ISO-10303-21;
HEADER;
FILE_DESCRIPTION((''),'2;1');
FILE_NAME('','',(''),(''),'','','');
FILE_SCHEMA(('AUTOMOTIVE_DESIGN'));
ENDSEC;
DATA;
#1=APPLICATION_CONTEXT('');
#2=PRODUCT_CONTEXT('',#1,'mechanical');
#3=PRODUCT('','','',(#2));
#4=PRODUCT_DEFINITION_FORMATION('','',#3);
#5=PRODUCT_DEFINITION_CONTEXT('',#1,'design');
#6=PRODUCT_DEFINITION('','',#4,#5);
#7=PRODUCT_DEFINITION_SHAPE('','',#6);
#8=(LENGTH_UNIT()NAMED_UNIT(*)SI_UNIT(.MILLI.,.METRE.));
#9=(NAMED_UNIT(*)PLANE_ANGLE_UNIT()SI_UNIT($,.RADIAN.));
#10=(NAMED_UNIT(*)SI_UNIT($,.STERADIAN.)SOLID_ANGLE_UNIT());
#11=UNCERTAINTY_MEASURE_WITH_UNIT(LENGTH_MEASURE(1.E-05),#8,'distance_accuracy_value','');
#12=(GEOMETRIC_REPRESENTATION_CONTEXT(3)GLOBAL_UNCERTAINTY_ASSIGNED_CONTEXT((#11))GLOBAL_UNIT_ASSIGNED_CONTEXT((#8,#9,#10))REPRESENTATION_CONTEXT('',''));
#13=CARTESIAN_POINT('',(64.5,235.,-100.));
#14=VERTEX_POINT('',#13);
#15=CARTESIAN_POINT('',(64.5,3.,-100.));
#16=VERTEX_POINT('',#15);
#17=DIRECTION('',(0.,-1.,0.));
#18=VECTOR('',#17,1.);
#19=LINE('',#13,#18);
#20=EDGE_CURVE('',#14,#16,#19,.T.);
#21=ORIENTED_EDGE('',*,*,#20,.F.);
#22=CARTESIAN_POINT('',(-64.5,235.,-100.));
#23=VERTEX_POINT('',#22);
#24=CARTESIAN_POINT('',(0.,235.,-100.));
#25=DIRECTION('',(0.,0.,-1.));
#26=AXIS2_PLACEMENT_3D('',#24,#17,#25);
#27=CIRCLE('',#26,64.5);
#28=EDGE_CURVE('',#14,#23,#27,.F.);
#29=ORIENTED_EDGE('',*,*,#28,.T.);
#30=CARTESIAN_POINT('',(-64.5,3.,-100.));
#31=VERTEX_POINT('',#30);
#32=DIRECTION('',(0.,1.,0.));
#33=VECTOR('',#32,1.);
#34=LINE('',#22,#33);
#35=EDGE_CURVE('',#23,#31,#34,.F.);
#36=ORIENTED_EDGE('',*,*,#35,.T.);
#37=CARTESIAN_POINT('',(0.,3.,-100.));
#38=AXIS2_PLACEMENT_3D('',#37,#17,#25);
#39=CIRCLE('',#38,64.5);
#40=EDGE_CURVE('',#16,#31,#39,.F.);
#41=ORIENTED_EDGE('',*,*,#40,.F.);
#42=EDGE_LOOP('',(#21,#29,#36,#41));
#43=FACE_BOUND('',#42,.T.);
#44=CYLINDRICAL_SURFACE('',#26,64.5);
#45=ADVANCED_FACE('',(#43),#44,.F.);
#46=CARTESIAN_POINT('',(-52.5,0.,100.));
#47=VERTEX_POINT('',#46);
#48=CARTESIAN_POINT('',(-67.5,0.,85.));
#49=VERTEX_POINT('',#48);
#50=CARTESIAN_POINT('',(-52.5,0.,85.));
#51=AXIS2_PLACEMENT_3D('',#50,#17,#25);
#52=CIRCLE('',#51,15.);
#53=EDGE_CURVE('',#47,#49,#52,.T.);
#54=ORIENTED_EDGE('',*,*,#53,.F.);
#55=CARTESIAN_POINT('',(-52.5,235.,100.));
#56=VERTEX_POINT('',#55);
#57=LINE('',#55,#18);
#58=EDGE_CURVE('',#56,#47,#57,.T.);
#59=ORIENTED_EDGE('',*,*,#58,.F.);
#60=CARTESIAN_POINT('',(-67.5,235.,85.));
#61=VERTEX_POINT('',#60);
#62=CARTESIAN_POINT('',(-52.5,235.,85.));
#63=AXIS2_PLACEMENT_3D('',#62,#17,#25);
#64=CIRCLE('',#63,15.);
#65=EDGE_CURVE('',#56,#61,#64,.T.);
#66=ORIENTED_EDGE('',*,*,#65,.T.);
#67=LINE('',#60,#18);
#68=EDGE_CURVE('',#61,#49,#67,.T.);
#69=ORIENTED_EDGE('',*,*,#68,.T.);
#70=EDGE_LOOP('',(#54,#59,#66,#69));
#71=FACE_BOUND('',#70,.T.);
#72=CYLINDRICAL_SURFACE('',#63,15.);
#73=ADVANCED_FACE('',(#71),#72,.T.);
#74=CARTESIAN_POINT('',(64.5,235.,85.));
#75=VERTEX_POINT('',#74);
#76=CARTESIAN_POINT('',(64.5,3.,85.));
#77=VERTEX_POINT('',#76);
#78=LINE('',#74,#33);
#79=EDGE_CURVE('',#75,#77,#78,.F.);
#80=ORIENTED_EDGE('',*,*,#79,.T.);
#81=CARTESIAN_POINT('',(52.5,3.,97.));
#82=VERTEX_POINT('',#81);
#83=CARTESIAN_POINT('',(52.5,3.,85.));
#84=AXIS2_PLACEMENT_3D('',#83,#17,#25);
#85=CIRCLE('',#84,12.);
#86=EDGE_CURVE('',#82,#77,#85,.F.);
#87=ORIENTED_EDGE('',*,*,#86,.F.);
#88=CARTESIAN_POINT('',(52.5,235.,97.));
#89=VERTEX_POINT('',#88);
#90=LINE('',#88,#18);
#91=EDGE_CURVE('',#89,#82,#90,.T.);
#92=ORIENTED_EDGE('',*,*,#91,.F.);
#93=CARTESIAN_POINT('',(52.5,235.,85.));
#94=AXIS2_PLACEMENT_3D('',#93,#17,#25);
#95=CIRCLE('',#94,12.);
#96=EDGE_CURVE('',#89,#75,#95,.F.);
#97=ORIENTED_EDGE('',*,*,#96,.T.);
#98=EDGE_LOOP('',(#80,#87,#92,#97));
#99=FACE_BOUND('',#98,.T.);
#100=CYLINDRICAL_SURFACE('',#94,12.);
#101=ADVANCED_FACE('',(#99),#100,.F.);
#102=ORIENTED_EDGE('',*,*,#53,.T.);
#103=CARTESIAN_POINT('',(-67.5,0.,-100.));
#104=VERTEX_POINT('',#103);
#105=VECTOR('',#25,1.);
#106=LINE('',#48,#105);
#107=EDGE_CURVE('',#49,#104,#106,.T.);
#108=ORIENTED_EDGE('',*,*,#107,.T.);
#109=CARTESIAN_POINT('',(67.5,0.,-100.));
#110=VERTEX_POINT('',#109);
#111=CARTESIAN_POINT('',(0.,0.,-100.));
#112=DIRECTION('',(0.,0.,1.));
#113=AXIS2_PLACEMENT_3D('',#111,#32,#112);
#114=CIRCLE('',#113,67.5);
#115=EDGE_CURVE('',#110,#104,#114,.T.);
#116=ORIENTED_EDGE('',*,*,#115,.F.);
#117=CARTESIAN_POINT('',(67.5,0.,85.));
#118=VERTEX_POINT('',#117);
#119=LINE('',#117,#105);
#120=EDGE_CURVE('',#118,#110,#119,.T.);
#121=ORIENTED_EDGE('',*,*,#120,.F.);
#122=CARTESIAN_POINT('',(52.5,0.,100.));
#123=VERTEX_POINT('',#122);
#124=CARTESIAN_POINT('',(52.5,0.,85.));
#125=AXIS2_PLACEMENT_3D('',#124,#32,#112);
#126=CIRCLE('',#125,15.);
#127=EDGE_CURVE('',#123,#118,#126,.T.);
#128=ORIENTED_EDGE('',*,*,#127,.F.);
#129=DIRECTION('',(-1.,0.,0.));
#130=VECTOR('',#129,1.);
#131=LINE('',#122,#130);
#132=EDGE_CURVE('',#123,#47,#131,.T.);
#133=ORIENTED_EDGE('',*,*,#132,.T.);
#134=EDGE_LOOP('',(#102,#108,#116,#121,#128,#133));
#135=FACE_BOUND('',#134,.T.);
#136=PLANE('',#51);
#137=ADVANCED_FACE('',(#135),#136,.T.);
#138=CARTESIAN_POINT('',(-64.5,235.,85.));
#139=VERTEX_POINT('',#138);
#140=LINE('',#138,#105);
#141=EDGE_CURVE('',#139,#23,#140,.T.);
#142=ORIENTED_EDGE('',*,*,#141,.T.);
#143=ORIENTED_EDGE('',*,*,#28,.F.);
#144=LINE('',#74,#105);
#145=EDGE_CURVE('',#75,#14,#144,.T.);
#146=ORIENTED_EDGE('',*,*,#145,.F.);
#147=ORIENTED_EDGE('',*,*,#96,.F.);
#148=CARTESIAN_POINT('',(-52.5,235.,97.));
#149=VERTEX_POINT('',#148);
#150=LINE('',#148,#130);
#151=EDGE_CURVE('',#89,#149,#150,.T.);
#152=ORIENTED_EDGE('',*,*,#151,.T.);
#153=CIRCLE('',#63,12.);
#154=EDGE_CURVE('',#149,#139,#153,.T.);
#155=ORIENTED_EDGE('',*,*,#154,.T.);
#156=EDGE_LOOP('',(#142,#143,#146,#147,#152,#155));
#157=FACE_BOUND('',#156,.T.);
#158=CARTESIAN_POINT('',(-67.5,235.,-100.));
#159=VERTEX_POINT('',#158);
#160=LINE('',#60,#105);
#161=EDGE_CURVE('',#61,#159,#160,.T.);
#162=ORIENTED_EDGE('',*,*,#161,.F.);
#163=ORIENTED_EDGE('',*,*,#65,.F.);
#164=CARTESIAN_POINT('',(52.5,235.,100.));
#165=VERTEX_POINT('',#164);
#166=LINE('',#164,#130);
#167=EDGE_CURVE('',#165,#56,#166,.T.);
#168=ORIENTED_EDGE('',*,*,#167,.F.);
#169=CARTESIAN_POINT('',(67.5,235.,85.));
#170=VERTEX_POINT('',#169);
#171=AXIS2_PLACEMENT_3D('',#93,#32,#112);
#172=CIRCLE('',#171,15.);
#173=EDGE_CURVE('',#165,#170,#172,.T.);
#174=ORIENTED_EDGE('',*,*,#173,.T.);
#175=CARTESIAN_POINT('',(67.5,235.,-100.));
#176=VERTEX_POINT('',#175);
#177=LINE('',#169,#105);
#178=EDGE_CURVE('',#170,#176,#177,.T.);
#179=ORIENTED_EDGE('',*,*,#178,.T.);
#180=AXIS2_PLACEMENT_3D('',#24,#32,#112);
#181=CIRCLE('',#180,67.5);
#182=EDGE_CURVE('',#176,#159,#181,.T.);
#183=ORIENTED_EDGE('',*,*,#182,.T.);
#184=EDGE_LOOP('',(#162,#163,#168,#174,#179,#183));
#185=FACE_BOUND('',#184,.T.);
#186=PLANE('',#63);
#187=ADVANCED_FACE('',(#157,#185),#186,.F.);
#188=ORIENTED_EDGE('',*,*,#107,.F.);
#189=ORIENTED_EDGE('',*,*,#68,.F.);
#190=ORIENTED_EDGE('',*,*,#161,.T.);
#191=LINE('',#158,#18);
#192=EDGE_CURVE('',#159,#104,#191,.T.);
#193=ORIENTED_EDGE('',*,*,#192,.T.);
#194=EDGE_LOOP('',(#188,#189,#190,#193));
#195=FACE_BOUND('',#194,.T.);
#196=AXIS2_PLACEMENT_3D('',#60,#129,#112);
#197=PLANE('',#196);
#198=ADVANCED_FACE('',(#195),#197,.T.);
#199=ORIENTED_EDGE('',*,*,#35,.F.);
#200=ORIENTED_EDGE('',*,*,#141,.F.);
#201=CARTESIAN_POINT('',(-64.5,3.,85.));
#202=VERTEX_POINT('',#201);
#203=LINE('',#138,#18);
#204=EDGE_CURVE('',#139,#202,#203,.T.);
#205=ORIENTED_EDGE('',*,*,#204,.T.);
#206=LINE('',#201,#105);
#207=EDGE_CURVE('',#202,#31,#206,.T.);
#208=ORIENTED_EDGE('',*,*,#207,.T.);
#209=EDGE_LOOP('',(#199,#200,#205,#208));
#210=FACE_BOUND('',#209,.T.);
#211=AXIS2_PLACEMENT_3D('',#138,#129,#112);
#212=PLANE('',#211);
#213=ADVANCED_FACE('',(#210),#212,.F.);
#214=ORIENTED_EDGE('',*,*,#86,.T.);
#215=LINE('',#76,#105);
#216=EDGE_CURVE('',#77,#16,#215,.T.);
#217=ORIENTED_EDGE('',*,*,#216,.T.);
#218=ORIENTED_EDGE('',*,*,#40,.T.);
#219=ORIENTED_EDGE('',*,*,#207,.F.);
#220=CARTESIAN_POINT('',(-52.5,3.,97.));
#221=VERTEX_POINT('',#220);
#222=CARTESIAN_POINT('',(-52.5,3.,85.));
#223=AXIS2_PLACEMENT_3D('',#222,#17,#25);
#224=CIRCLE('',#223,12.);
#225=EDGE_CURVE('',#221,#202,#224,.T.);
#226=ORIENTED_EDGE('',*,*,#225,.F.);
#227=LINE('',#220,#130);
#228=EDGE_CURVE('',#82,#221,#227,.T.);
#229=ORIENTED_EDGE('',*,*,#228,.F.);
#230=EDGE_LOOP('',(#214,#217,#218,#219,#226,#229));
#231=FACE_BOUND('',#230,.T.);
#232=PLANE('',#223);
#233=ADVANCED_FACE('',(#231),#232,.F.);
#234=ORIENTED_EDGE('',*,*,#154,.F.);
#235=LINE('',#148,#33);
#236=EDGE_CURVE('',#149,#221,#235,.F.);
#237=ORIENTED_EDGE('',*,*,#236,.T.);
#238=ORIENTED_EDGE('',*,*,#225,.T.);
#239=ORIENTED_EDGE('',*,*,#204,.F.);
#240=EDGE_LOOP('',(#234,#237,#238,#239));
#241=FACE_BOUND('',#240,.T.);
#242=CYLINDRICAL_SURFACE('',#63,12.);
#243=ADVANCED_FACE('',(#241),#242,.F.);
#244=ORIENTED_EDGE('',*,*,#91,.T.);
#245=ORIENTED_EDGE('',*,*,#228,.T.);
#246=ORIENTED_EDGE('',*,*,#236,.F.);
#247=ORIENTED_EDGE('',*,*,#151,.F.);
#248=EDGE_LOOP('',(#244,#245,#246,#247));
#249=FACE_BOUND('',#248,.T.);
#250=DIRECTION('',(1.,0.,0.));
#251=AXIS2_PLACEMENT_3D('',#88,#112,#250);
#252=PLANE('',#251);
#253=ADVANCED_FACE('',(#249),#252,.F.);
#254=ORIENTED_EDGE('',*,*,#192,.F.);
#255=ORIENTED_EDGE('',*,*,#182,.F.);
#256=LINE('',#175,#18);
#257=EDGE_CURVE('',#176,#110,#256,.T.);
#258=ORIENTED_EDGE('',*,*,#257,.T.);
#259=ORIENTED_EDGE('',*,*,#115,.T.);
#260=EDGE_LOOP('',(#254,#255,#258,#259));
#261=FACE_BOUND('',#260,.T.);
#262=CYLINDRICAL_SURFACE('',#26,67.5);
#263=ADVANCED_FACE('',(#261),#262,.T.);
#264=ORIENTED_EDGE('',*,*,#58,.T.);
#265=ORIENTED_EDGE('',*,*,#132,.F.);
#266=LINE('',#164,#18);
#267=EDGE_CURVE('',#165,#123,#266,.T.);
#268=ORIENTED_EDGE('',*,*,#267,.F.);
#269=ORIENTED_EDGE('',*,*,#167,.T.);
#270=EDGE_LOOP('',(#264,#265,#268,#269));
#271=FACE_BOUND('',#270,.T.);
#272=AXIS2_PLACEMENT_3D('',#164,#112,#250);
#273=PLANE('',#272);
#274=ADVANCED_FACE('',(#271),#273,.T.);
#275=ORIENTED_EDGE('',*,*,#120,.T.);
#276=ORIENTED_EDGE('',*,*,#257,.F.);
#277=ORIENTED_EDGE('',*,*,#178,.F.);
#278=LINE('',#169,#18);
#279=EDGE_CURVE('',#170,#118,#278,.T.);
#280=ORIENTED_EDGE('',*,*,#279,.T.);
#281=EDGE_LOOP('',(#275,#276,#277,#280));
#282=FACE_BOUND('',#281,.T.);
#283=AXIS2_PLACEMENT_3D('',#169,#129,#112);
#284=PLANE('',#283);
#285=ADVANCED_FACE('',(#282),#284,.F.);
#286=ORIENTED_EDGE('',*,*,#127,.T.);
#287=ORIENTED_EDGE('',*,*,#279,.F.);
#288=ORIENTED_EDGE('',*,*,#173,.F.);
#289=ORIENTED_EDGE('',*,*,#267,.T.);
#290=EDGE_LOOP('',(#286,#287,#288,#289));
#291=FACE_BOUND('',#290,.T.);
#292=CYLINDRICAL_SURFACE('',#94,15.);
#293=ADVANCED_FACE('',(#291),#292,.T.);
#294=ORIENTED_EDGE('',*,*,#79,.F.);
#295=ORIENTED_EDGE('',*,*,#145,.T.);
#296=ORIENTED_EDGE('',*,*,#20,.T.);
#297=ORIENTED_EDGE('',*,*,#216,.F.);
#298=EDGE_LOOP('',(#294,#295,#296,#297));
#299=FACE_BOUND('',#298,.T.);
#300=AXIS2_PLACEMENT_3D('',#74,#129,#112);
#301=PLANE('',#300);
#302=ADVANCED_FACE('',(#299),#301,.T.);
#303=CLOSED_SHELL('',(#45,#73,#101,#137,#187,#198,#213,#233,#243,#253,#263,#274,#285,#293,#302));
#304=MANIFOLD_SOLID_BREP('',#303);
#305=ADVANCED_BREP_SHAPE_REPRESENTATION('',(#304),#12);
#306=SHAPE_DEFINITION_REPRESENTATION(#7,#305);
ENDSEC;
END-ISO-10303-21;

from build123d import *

# Parameters (mm, degrees)
BOSS_EXTRUDE1_DEPTH = 235
SHELL1_T            = -3


with BuildPart() as part:
    # Sketch1 → Boss-Extrude1 (new body)
    with BuildSketch(Plane(origin=(0, 0, 0), x_dir=(1, 0, 0), z_dir=(0, 1, 0))):
        with BuildLine():
            Line((52.5, -100), (-52.5, -100))
            ThreePointArc((-52.5, -100), (-63.106601718, -95.606601718), (-67.5, -85))
            Line((-67.5, -85), (-67.5, 100))
            ThreePointArc((-67.5, 100), (0, 167.5), (67.5, 100))
            Line((67.5, 100), (67.5, -85))
            ThreePointArc((67.5, -85), (63.106601718, -95.606601718), (52.5, -100))
        make_face()
    extrude(amount=BOSS_EXTRUDE1_DEPTH)

    # Shell1
    shell1_openings = [part.faces().sort_by_distance(p)[0] for p in [
        (0, 235, 18.118867239),
    ]]
    offset(amount=SHELL1_T, openings=shell1_openings, kind=Kind.INTERSECTION)


solid = part.part
